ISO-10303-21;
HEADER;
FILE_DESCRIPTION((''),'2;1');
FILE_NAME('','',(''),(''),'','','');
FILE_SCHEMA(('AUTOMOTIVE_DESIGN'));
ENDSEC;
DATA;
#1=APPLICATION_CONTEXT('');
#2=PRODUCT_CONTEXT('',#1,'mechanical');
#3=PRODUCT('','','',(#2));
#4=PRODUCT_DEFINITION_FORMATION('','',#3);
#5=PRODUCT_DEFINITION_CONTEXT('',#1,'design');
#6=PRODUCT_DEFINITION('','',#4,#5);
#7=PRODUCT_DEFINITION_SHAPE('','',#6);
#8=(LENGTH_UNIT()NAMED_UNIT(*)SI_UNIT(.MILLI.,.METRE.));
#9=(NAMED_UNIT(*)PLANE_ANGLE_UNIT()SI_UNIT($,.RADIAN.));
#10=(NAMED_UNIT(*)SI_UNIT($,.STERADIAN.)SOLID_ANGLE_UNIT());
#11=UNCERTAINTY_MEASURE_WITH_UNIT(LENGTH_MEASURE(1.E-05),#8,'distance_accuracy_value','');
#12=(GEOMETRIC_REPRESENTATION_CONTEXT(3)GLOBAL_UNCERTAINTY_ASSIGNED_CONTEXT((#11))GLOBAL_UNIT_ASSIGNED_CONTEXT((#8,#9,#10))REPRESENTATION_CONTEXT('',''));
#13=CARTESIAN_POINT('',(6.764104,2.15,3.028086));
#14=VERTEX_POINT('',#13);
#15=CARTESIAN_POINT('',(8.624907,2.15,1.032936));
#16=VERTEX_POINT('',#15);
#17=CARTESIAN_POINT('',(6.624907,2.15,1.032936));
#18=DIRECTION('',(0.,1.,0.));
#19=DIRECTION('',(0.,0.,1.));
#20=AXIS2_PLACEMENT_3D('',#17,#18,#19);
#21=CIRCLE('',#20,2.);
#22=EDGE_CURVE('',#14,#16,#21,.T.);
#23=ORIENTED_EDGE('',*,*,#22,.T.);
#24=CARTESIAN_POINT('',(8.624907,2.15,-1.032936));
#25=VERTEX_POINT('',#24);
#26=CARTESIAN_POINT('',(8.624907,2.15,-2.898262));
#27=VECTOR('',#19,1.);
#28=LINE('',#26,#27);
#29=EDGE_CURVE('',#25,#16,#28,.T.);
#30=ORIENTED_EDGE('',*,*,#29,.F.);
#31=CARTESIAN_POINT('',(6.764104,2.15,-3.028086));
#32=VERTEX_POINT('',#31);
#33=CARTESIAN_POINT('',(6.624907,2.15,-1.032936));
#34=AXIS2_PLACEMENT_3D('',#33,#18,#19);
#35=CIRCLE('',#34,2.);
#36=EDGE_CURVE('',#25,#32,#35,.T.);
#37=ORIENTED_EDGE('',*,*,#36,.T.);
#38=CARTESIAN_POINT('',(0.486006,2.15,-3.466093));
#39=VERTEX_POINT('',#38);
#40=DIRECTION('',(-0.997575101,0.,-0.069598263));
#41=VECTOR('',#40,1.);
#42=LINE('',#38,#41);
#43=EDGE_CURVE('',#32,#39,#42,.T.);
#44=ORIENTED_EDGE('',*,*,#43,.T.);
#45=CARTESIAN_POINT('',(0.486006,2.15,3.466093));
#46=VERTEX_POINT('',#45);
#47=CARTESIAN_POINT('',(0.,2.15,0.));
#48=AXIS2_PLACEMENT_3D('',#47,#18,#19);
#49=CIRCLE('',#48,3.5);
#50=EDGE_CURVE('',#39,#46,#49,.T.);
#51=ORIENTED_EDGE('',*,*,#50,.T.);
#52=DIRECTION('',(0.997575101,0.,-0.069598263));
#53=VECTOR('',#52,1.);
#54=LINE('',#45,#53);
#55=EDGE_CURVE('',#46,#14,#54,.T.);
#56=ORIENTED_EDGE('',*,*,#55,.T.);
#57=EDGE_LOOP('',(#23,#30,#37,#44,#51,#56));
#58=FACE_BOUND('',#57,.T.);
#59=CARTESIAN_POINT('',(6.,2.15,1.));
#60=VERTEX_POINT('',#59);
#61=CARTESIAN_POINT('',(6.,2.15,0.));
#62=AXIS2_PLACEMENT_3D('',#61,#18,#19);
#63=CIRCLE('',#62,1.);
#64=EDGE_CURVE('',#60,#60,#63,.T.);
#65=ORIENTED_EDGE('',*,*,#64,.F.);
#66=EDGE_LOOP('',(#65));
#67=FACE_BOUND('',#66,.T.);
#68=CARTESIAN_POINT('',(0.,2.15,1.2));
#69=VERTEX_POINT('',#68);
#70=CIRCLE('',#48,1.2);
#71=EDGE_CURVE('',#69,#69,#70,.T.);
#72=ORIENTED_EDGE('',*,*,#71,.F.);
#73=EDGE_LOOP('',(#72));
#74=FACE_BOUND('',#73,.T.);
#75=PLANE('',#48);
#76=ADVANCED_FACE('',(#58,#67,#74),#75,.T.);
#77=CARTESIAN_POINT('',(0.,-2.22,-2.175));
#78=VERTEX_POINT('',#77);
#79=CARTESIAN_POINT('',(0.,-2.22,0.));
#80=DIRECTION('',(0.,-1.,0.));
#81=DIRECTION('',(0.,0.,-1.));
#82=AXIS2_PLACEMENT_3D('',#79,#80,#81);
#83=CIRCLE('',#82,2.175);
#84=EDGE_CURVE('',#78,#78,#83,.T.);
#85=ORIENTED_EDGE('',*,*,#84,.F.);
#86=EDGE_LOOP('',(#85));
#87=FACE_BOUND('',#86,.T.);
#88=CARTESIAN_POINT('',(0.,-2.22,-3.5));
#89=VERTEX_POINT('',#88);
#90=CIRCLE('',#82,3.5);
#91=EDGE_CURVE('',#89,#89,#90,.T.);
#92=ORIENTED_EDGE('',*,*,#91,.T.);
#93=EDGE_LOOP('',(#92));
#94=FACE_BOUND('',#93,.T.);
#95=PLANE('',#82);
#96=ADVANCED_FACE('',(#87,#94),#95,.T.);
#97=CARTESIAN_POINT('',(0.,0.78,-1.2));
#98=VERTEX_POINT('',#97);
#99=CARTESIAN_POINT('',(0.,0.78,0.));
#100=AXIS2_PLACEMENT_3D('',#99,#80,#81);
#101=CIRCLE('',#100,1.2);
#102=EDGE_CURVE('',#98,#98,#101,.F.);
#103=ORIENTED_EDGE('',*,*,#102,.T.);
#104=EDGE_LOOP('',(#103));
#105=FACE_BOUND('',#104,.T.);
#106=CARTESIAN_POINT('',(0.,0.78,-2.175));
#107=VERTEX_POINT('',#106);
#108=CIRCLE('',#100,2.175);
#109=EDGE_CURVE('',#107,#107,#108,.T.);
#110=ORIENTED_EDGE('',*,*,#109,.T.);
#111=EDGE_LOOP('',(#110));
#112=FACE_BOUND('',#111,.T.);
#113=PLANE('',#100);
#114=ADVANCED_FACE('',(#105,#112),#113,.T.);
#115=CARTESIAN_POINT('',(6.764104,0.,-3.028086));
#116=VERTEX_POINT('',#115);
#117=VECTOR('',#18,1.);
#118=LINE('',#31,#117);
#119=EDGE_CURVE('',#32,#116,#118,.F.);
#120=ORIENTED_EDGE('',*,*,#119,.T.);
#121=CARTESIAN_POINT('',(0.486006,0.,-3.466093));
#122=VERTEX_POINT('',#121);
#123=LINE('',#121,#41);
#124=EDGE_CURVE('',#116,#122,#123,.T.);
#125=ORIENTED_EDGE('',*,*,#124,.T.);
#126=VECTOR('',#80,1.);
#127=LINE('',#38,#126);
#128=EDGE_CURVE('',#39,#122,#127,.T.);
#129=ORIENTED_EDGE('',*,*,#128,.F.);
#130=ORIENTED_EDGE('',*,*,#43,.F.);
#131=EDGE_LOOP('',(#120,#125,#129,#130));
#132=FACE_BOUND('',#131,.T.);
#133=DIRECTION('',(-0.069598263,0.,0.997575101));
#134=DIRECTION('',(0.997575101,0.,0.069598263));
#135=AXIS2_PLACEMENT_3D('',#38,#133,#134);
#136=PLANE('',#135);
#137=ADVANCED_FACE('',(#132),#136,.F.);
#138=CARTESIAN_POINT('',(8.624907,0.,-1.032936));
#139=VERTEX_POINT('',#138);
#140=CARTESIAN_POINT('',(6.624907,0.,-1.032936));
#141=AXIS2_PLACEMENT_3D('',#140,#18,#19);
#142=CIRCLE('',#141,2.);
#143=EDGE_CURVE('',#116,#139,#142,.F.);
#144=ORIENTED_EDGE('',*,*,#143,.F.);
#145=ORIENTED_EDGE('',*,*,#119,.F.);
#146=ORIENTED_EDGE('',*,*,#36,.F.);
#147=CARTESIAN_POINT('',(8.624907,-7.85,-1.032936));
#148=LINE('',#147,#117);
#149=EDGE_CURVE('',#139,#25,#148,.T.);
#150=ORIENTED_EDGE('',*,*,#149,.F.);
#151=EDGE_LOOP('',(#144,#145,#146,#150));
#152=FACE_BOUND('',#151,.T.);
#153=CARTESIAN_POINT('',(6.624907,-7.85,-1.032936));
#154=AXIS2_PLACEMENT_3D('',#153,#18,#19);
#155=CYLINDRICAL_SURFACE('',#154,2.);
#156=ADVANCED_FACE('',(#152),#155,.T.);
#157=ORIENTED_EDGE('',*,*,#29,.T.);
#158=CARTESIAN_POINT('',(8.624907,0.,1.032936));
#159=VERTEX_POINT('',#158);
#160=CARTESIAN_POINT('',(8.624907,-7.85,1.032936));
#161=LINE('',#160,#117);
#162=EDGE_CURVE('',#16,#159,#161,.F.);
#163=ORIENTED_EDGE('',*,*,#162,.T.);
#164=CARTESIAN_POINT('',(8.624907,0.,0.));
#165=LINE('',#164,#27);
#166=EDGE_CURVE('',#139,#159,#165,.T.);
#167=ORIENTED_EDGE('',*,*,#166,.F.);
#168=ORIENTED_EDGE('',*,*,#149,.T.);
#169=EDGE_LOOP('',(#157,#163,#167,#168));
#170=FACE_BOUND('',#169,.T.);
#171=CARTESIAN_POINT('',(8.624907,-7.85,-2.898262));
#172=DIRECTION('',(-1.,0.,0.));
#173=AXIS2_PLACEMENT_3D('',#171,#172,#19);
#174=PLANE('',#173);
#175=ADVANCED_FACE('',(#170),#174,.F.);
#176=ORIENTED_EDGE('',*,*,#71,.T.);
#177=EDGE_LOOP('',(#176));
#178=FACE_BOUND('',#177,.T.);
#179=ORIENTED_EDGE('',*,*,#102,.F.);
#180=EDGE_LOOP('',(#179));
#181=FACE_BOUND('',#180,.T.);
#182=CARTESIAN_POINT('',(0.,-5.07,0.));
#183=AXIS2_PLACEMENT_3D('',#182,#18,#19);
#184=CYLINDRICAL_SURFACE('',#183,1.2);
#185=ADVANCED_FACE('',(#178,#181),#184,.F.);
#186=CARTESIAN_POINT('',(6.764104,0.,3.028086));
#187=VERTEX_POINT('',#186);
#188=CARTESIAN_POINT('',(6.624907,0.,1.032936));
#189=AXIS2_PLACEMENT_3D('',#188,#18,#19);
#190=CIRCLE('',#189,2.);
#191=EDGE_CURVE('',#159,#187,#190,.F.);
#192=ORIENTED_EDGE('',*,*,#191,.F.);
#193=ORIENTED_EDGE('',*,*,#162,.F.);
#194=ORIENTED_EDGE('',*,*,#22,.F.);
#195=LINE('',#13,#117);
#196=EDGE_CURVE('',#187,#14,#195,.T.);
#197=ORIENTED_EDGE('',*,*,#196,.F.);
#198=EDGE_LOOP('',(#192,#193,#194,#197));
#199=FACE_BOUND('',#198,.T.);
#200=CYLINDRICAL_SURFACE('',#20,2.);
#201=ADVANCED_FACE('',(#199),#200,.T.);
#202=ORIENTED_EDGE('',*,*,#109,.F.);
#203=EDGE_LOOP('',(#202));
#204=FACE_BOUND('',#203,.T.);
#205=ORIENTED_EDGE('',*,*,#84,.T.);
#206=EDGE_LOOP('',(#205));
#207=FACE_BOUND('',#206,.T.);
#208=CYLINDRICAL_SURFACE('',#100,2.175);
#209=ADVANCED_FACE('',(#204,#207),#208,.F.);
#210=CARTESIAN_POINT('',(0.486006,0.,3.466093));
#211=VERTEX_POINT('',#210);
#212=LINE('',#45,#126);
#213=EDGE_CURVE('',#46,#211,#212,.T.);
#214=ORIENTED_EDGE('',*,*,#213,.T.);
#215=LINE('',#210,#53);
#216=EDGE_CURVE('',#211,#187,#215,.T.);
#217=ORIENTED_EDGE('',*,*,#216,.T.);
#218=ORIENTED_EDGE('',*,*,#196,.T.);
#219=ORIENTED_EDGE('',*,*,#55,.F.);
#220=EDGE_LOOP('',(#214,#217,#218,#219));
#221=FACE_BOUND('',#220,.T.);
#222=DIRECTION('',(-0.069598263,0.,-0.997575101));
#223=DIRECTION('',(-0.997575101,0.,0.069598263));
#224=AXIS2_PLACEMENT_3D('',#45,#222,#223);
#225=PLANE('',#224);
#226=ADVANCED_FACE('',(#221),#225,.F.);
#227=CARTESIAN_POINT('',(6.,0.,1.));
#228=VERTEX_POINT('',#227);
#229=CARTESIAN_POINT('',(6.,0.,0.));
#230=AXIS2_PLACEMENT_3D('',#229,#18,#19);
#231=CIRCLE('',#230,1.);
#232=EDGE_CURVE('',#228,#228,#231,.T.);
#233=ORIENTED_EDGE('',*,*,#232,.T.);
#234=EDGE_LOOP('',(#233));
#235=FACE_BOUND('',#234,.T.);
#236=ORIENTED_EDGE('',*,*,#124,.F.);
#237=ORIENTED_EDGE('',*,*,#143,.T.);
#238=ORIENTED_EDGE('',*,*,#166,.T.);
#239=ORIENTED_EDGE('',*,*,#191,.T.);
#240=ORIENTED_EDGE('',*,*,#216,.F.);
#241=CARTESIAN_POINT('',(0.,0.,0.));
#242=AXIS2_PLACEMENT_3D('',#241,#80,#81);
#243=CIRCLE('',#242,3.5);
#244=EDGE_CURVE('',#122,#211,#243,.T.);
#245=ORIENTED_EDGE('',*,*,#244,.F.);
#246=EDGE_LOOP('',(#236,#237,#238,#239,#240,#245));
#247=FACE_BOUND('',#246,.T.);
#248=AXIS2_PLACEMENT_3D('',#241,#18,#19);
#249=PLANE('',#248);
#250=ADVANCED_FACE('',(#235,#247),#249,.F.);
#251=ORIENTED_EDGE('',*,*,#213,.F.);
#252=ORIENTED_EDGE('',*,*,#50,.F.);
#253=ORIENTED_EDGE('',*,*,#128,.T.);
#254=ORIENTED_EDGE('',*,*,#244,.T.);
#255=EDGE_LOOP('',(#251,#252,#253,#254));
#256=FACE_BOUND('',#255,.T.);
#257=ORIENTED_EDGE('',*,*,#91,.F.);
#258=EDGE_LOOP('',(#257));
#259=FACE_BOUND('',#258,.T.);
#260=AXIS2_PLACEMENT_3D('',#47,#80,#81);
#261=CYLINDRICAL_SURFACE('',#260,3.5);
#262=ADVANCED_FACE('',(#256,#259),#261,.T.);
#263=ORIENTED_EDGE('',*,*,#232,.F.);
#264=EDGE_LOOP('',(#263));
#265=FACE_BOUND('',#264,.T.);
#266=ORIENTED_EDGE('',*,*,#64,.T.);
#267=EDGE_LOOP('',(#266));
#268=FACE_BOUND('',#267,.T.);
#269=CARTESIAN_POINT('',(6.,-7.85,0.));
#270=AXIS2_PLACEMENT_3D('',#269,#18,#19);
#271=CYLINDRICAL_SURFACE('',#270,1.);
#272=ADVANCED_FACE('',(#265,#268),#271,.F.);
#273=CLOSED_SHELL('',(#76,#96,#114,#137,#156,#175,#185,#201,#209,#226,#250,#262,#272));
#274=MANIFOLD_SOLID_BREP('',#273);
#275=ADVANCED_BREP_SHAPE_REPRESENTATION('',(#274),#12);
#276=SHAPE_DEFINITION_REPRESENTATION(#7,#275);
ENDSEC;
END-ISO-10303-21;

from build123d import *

# Parameters (mm, degrees)
SALIENTE_EXTRUIR1_DEPTH = 2.15
CROQUIS2_R              = 3.5
SALIENTE_EXTRUIR2_DEPTH = 2.22
CROQUIS3_R              = 1.2
CORTAR_EXTRUIR1_DEPTH   = 7.22
CROQUIS4_R              = 2.175
CORTAR_EXTRUIR2_DEPTH   = 3
CROQUIS5_R              = 1
CORTAR_EXTRUIR3_DEPTH   = 10
CUT_EXTRUDE1_DEPTH      = 10
FILLET1_R               = 2


with BuildPart() as part:
    # Croquis1 → Saliente-Extruir1 (new body)
    with BuildSketch(Plane(origin=(0, 0, 0), x_dir=(1, 0, 0), z_dir=(0, 1, 0))):
        with BuildLine():
            Line((0.486006459, 3.466092573), (21.5, 2))
            ThreePointArc((21.5, 2), (23.5, 0), (21.5, -2))
            Line((21.5, -2), (0.486006459, -3.466092573))
            ThreePointArc((0.486006459, -3.466092573), (-3.5, 0), (0.486006459, 3.466092573))
        make_face()
    extrude(amount=SALIENTE_EXTRUIR1_DEPTH)

    # Croquis2 → Saliente-Extruir2 (add)
    with BuildSketch(Plane.XZ):
        Circle(CROQUIS2_R)
    extrude(amount=SALIENTE_EXTRUIR2_DEPTH)

    # Croquis3 → Cortar-Extruir1 (cut)
    with BuildSketch(Plane(origin=(0, 2.15, 0), x_dir=(1, 0, 0), z_dir=(0, 1, 0))):
        Circle(CROQUIS3_R)
    extrude(amount=-CORTAR_EXTRUIR1_DEPTH, mode=Mode.SUBTRACT)

    # Croquis4 → Cortar-Extruir2 (cut)
    with BuildSketch(Plane.XZ.offset(2.22)):
        Circle(CROQUIS4_R)
    extrude(amount=-CORTAR_EXTRUIR2_DEPTH, mode=Mode.SUBTRACT)

    # Croquis5 → Cortar-Extruir3 (cut)
    with BuildSketch(Plane(origin=(0, 2.15, 0), x_dir=(1, 0, 0), z_dir=(0, 1, 0))):
        with Locations((21.5, 0)):
            Circle(CROQUIS5_R)
        with Locations((15.5, 0)):
            Circle(CROQUIS5_R)
        with Locations((6, 0)):
            Circle(CROQUIS5_R)
    extrude(amount=-CORTAR_EXTRUIR3_DEPTH, mode=Mode.SUBTRACT)

    # Sketch1 → Cut-Extrude1 (cut)
    with BuildSketch(Plane(origin=(0, 2.15, 0), x_dir=(1, 0, 0), z_dir=(0, 1, 0))):
        with BuildLine():
            Line((21.5, 2), (8.624907291, 2.898262282))
            Line((8.624907291, 2.898262282), (8.624907291, -2.898262282))
            Line((8.624907291, -2.898262282), (21.5, -2))
            ThreePointArc((21.5, -2), (23.5, 0), (21.5, 2))
        make_face()
    extrude(amount=-CUT_EXTRUDE1_DEPTH, mode=Mode.SUBTRACT)

    # Fillet1
    fillet1_edges = [part.edges().sort_by_distance(p)[0] for p in [
        (8.624907291, 1.075, 2.898262282),
        (8.624907291, 1.075, -2.898262282),
    ]]
    fillet(fillet1_edges, radius=FILLET1_R)


solid = part.part
